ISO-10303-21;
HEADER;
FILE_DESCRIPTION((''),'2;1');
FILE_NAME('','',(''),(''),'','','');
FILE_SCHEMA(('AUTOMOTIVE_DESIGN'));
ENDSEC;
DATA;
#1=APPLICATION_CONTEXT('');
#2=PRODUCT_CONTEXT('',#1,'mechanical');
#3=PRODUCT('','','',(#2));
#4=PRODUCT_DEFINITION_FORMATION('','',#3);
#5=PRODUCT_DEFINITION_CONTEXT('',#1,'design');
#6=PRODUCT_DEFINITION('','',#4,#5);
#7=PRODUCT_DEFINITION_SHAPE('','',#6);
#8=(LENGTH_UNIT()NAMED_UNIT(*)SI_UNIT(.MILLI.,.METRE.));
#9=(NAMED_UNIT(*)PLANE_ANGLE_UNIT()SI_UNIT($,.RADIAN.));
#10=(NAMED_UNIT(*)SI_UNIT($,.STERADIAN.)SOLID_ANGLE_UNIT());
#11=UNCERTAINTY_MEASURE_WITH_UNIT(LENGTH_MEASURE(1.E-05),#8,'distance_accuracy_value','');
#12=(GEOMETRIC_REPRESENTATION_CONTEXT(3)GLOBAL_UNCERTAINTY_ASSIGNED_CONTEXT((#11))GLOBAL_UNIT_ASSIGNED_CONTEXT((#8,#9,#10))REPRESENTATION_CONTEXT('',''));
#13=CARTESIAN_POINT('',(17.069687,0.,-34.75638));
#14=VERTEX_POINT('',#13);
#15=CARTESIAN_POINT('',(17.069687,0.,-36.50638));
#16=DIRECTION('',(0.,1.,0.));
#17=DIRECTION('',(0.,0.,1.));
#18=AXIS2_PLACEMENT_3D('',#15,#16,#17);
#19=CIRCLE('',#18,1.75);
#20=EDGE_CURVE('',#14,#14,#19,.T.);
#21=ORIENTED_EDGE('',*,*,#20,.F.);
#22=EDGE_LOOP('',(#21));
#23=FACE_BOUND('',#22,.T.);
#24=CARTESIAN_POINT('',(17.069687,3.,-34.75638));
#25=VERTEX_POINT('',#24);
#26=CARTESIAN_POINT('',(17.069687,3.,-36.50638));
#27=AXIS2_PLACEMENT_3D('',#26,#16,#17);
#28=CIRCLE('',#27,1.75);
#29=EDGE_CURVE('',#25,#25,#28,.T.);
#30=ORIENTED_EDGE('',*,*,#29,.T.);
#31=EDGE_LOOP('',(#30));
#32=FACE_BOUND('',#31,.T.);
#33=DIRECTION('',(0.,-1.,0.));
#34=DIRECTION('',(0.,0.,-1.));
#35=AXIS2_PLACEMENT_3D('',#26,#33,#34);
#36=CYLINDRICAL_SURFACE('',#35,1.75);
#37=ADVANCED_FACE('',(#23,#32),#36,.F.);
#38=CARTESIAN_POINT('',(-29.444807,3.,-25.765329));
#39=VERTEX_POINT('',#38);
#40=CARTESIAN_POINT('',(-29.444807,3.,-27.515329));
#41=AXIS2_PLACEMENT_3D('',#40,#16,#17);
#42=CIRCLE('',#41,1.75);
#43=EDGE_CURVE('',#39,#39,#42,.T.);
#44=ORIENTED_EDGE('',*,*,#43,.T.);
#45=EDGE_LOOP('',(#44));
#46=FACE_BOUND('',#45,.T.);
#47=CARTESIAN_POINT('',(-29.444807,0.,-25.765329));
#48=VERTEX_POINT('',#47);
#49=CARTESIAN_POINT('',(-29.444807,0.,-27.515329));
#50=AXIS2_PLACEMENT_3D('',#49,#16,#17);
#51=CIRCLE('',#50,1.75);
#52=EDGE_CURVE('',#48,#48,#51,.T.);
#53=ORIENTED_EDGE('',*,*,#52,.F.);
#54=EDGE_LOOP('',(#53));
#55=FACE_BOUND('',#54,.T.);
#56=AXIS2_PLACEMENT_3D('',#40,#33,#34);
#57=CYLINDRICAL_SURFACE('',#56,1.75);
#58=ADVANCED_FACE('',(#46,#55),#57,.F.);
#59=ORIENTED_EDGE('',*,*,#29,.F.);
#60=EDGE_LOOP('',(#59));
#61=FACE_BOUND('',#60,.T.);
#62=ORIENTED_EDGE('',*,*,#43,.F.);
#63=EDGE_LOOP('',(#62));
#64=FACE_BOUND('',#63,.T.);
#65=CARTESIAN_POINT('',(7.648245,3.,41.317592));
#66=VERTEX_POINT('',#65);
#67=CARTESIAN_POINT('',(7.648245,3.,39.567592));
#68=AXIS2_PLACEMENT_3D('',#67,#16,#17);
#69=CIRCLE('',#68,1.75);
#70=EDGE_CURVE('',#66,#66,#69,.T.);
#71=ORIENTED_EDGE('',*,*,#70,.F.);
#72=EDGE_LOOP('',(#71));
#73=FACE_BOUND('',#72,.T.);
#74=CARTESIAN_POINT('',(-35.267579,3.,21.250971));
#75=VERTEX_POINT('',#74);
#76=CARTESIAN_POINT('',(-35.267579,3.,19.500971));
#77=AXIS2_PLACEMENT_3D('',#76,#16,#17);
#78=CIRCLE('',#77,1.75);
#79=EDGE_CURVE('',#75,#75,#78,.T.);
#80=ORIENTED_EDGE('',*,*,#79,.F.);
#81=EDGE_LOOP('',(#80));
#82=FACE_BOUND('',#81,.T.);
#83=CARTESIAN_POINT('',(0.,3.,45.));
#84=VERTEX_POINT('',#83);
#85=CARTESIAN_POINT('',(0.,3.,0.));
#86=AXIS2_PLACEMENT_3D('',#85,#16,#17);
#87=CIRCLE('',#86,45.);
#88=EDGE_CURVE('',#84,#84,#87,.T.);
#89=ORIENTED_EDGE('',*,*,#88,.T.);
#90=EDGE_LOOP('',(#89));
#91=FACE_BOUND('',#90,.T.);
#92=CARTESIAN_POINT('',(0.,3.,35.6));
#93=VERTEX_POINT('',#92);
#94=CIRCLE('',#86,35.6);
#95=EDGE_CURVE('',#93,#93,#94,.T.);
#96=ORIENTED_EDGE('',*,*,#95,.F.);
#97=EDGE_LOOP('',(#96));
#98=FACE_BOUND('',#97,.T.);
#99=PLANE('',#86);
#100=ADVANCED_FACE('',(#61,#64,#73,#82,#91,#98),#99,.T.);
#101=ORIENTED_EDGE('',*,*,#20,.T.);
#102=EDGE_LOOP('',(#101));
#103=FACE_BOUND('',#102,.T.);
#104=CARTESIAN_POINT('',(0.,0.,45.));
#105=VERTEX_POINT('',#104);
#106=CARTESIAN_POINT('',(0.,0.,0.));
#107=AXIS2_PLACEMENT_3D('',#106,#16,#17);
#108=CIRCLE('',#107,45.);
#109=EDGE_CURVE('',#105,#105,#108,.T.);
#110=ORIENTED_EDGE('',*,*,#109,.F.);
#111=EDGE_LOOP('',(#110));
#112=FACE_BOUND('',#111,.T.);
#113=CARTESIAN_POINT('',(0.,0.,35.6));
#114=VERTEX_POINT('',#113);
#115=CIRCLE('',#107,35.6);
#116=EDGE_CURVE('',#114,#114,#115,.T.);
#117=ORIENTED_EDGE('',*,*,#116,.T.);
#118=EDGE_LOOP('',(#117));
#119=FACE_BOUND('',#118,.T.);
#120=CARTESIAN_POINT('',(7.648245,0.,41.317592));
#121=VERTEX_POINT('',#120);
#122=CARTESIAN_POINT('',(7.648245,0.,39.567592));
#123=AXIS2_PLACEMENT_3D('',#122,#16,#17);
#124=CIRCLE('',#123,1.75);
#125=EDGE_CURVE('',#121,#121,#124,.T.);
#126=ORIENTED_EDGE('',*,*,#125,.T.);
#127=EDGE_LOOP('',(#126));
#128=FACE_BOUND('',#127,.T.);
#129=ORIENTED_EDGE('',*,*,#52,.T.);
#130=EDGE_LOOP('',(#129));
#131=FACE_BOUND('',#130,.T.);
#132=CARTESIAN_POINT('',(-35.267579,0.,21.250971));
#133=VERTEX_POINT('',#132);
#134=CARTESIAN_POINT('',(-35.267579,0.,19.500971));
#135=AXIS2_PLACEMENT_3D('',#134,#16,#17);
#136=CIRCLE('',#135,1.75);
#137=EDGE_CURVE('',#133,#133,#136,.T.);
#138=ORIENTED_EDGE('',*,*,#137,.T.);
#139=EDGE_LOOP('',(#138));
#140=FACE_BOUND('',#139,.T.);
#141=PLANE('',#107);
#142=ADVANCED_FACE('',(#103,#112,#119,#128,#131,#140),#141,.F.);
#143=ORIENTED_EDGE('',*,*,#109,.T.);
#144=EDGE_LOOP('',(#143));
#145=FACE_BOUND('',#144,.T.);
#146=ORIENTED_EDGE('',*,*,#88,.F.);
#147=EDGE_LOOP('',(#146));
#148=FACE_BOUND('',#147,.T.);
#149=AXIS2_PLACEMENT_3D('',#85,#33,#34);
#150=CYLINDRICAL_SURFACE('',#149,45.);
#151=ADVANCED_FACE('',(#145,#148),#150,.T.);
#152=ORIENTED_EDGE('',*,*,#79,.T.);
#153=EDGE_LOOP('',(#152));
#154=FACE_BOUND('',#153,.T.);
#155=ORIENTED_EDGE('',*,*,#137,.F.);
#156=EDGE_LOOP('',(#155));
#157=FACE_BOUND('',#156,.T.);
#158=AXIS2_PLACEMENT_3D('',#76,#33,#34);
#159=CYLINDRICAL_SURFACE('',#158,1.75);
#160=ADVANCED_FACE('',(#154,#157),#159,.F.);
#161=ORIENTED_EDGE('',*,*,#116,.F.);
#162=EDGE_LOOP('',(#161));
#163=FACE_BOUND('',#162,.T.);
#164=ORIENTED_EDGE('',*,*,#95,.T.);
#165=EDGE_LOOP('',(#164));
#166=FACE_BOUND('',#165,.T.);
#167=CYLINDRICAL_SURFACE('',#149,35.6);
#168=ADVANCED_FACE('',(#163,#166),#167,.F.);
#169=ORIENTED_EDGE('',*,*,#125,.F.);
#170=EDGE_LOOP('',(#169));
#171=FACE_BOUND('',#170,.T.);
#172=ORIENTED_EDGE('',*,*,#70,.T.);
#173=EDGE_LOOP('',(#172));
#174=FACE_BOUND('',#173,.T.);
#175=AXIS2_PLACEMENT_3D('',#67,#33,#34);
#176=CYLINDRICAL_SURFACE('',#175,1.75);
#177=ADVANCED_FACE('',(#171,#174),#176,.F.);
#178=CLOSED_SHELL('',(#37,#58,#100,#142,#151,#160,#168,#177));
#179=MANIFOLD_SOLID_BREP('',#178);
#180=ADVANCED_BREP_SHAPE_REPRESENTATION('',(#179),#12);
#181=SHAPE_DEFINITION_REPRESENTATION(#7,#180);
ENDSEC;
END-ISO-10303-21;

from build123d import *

# Parameters (mm, degrees)
SKETCH1_R           = 45
SKETCH1_R_2         = 35.6
SKETCH1_R_3         = 1.75
BOSS_EXTRUDE1_DEPTH = 3


with BuildPart() as part:
    # Sketch1 → Boss-Extrude1 (new body)
    with BuildSketch(Plane(origin=(0, 0, 0), x_dir=(1, 0, 0), z_dir=(0, 1, 0))):
        with Locations(Location((0, 0, 0), (0, 0, 270))):
            Circle(SKETCH1_R)
        with Locations(Location((0, 0, 0), (0, 0, 270))):
            Circle(SKETCH1_R_2, mode=Mode.SUBTRACT)
        with Locations(Location((-29.444807033, 27.51532916, 0), (0, 0, 270))):
            Circle(SKETCH1_R_3, mode=Mode.SUBTRACT)
        with Locations(Location((-35.267578865, -19.500971284, 0), (0, 0, 270))):
            Circle(SKETCH1_R_3, mode=Mode.SUBTRACT)
        with Locations(Location((7.648244594, -39.567592227, 0), (0, 0, 270))):
            Circle(SKETCH1_R_3, mode=Mode.SUBTRACT)
        with Locations(Location((17.069687326, 36.506379916, 0), (0, 0, 270))):
            Circle(SKETCH1_R_3, mode=Mode.SUBTRACT)
    extrude(amount=BOSS_EXTRUDE1_DEPTH)


solid = part.part
